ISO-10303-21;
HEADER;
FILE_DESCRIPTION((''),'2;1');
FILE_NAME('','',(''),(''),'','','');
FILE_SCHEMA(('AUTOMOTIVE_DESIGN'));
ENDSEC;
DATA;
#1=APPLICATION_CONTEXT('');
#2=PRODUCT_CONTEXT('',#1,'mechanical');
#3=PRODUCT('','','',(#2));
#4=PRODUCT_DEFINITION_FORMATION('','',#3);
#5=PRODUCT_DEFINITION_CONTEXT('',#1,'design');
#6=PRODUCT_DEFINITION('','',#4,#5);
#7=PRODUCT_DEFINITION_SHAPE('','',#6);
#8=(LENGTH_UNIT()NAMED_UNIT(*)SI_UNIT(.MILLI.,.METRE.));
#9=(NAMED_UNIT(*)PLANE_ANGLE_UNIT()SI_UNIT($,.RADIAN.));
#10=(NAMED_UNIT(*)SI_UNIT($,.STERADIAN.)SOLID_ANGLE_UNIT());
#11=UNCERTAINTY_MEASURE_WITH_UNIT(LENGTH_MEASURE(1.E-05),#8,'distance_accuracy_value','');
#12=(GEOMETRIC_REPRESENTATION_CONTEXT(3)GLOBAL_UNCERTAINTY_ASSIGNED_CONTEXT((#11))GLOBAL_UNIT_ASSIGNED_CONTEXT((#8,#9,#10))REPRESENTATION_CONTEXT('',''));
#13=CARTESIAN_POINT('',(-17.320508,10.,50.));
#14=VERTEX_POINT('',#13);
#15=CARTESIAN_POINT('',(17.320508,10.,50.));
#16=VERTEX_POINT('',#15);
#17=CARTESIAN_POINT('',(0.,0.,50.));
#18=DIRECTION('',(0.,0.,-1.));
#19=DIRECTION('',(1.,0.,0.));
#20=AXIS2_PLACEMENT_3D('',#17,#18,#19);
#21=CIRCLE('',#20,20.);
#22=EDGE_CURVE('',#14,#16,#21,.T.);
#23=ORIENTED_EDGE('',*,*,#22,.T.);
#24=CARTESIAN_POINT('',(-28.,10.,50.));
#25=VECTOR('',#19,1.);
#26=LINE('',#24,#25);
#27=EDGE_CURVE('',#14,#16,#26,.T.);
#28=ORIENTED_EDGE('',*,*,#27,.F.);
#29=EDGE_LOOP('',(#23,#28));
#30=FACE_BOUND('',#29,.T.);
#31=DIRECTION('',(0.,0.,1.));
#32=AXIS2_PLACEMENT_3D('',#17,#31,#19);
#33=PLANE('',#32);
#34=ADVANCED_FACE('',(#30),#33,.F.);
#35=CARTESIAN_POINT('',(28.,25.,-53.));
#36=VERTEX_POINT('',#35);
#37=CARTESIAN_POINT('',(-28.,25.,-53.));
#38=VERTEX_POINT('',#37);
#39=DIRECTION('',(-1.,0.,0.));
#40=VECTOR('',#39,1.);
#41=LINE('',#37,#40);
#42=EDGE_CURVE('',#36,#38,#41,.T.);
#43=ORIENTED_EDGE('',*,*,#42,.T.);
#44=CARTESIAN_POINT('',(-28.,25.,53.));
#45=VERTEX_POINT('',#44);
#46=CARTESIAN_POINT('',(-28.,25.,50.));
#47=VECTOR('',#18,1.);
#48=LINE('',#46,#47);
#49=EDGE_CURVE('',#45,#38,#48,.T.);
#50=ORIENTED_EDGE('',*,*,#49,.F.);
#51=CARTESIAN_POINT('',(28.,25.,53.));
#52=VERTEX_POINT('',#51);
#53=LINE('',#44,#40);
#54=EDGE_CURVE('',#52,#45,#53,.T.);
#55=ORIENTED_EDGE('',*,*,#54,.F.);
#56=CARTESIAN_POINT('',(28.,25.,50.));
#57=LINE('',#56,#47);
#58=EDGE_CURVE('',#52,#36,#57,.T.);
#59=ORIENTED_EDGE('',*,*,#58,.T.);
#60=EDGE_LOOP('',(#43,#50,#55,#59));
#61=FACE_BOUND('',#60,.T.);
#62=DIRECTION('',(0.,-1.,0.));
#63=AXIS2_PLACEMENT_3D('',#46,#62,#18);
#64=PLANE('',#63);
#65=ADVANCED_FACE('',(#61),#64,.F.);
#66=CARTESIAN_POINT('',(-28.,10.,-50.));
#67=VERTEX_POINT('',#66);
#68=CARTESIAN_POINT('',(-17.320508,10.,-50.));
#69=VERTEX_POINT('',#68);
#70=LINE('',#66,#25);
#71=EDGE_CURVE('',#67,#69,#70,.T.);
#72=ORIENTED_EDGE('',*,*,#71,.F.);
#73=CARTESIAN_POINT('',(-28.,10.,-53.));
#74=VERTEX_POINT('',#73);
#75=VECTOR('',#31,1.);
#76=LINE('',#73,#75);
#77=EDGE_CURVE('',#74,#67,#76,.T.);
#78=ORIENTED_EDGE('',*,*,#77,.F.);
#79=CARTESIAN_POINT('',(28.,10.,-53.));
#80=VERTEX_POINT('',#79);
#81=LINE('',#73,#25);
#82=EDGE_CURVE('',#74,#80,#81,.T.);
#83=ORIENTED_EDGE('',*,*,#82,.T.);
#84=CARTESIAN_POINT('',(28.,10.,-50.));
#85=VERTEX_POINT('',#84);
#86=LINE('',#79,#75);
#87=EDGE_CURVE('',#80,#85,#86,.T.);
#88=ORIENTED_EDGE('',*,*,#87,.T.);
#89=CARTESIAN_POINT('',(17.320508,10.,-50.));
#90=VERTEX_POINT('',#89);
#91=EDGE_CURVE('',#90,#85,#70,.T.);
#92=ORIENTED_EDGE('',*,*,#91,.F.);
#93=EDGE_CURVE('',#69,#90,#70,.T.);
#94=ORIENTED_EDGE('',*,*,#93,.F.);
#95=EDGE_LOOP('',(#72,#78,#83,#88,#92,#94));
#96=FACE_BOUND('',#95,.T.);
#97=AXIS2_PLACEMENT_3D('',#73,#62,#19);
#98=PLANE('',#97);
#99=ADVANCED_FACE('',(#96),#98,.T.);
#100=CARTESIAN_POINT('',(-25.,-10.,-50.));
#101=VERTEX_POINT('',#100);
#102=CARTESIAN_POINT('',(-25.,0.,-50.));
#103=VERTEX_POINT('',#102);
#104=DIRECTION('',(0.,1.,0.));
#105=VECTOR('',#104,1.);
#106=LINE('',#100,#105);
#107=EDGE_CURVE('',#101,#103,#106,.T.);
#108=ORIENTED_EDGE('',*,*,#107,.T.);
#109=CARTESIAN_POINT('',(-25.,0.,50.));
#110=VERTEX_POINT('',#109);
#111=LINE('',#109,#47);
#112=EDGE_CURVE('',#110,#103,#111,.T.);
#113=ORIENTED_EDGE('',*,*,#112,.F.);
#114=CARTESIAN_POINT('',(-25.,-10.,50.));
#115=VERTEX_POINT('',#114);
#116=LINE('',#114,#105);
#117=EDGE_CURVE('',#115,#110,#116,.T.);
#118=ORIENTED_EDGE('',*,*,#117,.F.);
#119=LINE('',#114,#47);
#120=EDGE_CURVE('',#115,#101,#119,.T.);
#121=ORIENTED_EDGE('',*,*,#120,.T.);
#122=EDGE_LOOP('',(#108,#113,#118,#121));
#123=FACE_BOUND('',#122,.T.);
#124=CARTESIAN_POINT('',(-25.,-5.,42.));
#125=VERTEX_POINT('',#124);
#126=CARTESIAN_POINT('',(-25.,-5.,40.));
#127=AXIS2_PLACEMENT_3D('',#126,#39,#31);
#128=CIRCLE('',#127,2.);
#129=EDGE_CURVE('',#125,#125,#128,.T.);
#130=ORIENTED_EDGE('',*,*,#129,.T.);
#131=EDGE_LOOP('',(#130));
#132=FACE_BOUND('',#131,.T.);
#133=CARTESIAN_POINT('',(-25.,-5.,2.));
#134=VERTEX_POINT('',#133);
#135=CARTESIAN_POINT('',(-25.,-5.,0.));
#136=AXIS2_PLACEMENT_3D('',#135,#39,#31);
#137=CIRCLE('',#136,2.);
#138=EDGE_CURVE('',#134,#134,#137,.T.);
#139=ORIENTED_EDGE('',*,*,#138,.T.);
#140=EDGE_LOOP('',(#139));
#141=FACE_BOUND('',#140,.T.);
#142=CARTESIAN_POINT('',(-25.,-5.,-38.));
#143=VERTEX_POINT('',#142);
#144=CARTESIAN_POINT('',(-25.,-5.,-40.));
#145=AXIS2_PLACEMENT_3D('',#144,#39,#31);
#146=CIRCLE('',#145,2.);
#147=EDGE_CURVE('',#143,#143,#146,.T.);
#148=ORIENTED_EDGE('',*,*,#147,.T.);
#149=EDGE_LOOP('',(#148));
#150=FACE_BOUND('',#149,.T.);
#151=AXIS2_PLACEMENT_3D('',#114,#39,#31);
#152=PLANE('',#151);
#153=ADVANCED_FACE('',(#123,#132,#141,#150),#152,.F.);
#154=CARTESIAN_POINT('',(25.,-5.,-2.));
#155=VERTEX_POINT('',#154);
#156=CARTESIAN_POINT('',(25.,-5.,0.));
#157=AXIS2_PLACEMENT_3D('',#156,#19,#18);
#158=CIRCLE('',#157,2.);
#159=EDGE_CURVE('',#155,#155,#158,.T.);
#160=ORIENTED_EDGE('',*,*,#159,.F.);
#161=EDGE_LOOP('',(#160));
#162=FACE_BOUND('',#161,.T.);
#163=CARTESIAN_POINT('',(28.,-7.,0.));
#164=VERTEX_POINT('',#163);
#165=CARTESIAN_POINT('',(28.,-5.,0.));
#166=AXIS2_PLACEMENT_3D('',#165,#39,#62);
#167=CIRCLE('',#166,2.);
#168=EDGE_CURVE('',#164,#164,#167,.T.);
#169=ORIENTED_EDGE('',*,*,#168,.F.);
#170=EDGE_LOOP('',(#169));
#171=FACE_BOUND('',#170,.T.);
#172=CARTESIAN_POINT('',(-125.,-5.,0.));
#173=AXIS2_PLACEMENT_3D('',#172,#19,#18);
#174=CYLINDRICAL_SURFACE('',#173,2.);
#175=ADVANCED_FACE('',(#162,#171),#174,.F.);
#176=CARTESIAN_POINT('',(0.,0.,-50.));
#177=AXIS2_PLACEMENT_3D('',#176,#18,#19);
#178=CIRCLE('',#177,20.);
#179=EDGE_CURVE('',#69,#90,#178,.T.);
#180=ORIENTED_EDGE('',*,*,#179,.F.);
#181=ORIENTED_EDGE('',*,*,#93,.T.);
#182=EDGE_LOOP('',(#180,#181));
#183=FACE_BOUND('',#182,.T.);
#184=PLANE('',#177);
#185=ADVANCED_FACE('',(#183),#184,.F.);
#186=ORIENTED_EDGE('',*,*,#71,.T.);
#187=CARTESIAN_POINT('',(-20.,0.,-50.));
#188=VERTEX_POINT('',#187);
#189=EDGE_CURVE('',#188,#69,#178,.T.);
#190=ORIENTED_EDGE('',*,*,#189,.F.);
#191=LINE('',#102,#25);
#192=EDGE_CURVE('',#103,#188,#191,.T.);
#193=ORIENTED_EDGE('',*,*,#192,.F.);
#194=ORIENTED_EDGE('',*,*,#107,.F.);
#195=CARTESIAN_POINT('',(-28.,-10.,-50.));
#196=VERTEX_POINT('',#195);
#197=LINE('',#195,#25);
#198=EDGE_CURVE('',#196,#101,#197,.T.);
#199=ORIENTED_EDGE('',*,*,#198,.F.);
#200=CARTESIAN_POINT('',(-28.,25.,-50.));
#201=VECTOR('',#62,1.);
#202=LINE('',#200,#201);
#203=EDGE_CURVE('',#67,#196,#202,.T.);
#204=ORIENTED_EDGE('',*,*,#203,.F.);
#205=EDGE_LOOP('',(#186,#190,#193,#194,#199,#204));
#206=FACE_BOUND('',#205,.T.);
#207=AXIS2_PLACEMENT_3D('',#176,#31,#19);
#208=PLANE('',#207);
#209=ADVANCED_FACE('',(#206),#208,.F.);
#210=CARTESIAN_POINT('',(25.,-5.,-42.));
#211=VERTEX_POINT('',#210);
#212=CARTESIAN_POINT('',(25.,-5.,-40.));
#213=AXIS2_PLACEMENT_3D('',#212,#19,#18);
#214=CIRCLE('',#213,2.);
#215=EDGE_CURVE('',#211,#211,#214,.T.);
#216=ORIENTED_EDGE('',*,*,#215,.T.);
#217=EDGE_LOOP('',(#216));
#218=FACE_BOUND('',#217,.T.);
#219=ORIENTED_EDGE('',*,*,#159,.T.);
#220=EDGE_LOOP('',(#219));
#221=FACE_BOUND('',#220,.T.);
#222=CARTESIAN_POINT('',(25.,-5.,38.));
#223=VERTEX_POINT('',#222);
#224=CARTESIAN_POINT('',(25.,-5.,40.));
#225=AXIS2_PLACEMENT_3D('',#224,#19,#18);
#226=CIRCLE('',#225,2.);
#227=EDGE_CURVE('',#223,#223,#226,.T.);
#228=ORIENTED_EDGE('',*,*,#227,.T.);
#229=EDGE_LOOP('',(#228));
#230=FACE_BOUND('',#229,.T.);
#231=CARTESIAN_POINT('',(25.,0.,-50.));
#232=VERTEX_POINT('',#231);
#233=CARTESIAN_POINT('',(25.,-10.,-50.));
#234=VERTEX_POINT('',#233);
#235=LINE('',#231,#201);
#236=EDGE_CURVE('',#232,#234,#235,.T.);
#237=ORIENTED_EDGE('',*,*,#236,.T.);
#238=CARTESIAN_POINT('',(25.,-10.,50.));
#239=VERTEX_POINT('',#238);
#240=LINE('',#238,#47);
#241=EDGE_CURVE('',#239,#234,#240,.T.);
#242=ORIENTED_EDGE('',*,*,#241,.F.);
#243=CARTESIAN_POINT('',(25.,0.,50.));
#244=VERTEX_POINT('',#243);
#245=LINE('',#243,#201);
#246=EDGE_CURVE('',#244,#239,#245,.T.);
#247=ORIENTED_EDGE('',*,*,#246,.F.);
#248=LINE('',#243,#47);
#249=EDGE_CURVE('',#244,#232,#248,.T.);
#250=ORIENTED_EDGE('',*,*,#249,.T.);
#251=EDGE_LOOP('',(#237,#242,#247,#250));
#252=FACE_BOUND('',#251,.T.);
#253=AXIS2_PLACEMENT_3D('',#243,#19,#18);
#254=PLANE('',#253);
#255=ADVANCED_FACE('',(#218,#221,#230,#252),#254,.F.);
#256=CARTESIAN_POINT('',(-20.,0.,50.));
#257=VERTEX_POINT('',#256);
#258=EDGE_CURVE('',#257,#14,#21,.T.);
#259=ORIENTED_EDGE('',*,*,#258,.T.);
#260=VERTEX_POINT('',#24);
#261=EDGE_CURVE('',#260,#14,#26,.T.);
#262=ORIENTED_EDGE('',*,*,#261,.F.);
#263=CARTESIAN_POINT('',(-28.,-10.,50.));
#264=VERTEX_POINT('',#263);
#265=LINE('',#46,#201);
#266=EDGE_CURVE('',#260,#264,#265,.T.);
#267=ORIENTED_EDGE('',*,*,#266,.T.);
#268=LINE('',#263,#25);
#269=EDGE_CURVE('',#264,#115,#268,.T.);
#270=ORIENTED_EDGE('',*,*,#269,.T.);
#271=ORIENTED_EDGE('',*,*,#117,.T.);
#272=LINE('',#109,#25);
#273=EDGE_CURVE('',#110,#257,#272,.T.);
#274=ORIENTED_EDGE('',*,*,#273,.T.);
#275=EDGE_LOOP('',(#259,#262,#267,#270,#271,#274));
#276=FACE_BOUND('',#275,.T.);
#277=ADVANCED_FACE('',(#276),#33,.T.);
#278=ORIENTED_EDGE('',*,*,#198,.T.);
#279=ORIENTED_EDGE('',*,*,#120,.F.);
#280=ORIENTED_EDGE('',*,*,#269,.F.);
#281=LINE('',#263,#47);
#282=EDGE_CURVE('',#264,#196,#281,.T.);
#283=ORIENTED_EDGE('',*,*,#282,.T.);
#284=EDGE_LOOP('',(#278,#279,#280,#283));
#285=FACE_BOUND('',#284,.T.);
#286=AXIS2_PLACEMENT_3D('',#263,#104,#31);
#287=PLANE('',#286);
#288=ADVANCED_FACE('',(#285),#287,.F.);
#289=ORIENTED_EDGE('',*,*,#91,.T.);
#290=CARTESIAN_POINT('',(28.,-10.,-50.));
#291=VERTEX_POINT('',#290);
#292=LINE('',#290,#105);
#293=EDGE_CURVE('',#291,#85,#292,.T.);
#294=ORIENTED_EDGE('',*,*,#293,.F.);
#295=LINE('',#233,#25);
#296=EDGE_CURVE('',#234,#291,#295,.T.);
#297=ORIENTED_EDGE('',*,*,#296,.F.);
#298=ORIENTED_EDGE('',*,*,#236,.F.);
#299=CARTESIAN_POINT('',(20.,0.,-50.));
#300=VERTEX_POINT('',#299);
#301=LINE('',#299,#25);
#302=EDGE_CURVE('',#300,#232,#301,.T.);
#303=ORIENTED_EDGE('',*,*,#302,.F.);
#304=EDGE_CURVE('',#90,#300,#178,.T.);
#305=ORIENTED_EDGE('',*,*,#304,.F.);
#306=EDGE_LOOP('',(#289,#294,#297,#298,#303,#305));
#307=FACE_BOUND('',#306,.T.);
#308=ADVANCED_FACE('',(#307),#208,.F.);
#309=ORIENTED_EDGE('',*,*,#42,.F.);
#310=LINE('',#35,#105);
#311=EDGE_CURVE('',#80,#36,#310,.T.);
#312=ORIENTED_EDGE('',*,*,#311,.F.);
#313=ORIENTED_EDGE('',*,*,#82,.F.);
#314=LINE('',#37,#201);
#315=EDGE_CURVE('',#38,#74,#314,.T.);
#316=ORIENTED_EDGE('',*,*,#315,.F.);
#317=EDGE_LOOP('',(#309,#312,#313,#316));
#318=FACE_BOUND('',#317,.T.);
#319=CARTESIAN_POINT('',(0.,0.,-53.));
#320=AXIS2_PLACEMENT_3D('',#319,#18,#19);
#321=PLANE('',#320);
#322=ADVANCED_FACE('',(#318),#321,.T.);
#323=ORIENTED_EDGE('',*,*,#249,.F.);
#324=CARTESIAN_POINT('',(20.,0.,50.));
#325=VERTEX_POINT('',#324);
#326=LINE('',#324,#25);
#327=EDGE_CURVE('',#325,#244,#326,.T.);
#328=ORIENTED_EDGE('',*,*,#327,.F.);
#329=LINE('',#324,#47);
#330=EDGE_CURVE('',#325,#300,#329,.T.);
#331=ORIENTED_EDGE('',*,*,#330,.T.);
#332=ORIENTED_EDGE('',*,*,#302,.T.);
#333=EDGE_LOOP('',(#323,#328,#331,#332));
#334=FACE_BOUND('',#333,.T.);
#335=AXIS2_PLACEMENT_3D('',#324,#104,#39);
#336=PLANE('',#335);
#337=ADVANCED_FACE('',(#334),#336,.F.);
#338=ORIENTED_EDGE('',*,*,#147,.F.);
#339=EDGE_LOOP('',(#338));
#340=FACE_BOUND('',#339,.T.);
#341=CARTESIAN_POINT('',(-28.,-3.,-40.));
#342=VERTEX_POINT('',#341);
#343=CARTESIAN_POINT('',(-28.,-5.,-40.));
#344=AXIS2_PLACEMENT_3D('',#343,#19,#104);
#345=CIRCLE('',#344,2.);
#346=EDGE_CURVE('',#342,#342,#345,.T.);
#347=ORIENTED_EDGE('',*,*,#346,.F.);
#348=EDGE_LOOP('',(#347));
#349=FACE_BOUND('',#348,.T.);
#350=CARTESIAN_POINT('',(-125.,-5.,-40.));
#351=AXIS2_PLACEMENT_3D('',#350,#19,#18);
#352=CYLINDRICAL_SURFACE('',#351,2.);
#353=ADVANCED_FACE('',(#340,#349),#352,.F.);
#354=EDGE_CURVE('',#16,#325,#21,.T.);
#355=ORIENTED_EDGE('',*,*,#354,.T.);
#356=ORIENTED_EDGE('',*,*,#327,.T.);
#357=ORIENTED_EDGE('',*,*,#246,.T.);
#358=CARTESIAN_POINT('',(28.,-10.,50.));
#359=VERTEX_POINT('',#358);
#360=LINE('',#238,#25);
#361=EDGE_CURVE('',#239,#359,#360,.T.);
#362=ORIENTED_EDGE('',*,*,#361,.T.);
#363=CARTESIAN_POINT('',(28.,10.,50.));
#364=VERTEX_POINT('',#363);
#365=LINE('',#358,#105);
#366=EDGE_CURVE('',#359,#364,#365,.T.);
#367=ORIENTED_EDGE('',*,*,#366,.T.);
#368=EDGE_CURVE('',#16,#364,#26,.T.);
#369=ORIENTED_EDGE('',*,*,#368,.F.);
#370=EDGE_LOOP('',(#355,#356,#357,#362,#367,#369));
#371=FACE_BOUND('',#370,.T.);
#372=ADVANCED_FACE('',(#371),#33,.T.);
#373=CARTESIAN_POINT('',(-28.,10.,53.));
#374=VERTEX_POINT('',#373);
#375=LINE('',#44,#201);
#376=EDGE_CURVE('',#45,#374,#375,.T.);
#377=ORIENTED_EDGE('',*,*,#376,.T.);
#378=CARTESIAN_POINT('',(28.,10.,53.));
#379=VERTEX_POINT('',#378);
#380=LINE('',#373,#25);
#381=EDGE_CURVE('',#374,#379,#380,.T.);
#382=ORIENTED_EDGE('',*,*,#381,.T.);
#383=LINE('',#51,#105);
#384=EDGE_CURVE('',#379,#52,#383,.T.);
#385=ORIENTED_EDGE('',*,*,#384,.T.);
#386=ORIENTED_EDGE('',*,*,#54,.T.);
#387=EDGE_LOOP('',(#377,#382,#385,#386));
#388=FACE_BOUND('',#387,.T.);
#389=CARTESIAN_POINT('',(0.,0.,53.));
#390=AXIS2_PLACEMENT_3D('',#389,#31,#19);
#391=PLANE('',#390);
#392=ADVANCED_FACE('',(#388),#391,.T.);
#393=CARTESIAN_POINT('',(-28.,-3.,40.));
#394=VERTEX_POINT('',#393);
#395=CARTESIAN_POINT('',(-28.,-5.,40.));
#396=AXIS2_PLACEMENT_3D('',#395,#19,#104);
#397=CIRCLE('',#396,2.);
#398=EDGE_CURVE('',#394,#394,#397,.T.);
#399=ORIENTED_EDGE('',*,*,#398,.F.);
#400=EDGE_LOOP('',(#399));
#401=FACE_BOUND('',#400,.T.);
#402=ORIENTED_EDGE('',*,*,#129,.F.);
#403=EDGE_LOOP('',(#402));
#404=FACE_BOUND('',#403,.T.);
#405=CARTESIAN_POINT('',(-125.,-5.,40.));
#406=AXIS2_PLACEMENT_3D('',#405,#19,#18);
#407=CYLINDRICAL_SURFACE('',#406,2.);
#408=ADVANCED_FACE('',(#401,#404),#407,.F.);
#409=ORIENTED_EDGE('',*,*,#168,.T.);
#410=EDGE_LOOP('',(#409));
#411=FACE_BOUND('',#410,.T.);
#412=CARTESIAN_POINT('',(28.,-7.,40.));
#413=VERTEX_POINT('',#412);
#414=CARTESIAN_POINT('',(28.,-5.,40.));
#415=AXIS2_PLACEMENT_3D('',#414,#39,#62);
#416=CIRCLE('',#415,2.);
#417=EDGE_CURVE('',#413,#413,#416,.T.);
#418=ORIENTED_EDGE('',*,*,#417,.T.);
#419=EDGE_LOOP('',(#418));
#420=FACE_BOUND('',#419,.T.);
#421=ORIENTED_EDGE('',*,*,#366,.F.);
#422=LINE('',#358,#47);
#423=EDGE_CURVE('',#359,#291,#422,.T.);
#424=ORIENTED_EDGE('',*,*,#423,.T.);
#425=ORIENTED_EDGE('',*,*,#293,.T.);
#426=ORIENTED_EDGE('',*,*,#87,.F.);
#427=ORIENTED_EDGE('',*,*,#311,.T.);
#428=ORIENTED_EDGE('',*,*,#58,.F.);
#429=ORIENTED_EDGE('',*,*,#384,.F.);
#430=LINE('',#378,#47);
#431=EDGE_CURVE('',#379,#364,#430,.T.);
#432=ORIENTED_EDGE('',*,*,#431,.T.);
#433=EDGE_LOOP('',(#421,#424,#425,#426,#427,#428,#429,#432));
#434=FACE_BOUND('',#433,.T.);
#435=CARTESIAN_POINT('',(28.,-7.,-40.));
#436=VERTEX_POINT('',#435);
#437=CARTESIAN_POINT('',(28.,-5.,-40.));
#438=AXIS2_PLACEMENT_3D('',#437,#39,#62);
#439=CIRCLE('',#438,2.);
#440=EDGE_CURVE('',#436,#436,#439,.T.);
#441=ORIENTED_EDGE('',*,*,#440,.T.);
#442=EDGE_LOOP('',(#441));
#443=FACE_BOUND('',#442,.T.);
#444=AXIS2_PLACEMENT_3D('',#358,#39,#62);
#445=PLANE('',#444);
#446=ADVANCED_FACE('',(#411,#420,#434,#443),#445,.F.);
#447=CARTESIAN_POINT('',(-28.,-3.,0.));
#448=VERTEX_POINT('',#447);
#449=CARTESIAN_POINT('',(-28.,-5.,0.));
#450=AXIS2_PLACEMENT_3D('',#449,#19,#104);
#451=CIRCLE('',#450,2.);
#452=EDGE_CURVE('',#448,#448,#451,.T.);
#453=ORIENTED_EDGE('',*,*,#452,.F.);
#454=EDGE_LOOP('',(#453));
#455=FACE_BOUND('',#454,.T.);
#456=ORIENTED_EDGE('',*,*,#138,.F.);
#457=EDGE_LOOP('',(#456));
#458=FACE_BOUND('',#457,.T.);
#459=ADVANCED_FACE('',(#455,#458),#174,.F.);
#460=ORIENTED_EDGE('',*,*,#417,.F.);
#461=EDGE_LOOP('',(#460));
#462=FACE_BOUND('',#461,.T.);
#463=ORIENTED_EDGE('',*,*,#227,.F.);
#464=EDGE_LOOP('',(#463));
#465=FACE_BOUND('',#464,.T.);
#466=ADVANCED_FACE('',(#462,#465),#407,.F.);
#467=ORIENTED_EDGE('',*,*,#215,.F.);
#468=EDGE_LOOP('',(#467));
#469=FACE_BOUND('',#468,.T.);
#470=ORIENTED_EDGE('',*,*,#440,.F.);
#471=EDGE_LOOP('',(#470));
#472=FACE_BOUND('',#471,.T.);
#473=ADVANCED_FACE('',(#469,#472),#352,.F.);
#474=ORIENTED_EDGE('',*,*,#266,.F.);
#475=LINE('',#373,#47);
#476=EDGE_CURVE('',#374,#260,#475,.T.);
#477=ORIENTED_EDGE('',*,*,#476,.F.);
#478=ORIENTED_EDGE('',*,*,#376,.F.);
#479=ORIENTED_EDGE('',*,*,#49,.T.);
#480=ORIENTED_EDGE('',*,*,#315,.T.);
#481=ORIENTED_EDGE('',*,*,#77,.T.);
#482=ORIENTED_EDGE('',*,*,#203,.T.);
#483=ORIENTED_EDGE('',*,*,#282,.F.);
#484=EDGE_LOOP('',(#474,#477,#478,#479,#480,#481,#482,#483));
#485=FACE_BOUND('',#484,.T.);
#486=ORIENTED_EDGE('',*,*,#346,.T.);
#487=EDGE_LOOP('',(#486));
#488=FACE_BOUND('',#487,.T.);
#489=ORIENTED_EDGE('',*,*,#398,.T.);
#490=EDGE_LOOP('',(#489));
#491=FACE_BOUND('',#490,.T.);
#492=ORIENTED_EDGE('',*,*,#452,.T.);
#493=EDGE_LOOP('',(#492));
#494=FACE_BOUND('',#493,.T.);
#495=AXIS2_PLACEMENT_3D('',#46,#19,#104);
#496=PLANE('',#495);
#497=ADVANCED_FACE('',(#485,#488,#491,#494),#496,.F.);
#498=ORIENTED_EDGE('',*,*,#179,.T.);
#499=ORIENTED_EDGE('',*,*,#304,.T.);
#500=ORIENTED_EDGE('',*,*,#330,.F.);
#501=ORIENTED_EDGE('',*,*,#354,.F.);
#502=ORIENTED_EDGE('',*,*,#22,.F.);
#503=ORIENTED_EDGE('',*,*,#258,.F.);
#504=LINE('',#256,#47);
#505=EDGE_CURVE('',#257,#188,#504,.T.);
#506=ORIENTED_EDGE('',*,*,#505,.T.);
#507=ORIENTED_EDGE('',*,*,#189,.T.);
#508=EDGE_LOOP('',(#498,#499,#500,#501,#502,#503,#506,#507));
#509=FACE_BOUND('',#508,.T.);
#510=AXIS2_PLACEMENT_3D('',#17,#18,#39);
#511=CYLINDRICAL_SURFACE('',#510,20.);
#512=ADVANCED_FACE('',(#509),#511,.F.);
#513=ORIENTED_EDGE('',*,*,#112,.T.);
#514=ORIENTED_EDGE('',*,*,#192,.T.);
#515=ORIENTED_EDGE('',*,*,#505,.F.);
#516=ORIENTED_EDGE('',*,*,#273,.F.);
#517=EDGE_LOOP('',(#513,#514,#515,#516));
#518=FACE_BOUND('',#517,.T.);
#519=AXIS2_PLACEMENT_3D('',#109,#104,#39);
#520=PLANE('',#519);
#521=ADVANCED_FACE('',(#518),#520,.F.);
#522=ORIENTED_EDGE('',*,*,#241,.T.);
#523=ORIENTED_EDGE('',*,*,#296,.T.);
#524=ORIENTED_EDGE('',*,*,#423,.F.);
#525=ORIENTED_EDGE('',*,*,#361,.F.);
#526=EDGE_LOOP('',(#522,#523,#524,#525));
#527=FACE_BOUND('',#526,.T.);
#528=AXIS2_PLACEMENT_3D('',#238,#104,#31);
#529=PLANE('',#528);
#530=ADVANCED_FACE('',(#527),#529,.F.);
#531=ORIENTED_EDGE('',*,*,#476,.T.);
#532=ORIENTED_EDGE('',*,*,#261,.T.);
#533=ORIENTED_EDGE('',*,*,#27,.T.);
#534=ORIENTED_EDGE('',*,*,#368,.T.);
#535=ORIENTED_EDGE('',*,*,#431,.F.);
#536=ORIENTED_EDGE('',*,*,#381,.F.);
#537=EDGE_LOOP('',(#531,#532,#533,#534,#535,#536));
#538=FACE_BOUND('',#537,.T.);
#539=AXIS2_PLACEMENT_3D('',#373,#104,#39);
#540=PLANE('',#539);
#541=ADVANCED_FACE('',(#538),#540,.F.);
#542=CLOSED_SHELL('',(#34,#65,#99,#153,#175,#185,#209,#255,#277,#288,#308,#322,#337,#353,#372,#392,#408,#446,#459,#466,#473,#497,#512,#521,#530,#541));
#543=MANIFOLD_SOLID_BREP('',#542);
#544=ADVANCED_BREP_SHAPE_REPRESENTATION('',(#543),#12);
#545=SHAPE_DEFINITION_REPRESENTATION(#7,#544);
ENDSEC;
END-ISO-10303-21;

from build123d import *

# Parameters (mm, degrees)
BOSS_EXTRUDE1_DEPTH     = 50
CUT_EXTRUDE1_DEPTH      = 100
CUT_EXTRUDE1_DEPTH_BACK = 100
SKETCH2_R               = 2
SKETCH3_W               = 56
SKETCH3_H               = 15
BOSS_EXTRUDE2_DEPTH     = 3


with BuildPart() as part:
    # Sketch1 → Boss-Extrude1 (new, symmetric)
    with BuildSketch(Plane.XY):
        with BuildLine():
            Line((-28, 25), (-28, -10))
            Line((-28, -10), (-25, -10))
            Line((-25, -10), (-25, 0))
            Line((-25, 0), (-20, 0))
            ThreePointArc((-20, 0), (0, 20), (20, 0))
            Line((20, 0), (25, 0))
            Line((25, 0), (25, -10))
            Line((25, -10), (28, -10))
            Line((28, -10), (28, 25))
            Line((28, 25), (-28, 25))
        make_face()
    extrude(amount=BOSS_EXTRUDE1_DEPTH, both=True)

    # Sketch2 → Cut-Extrude1 (cut, two sides: drawn at the far end of the back side and taken through both)
    with BuildSketch(Plane(origin=(-25, 0, 0), x_dir=(0, 0, -1), z_dir=(1, 0, 0)).offset(-CUT_EXTRUDE1_DEPTH_BACK)):
        with Locations((-40, -5)):
            Circle(SKETCH2_R)
        with Locations((0, -5)):
            Circle(SKETCH2_R)
        with Locations((40, -5)):
            Circle(SKETCH2_R)
    extrude(amount=CUT_EXTRUDE1_DEPTH + CUT_EXTRUDE1_DEPTH_BACK, mode=Mode.SUBTRACT)

    # Sketch3 → Boss-Extrude2 (add)
    with BuildSketch(Plane.XY.offset(50)):
        with Locations((0, 17.5)):
            Rectangle(SKETCH3_W, SKETCH3_H)
    boss_extrude2 = extrude(amount=BOSS_EXTRUDE2_DEPTH)

    # Mirror1: Boss-Extrude2 across plane
    add(boss_extrude2.mirror(Plane.XY))


solid = part.part
